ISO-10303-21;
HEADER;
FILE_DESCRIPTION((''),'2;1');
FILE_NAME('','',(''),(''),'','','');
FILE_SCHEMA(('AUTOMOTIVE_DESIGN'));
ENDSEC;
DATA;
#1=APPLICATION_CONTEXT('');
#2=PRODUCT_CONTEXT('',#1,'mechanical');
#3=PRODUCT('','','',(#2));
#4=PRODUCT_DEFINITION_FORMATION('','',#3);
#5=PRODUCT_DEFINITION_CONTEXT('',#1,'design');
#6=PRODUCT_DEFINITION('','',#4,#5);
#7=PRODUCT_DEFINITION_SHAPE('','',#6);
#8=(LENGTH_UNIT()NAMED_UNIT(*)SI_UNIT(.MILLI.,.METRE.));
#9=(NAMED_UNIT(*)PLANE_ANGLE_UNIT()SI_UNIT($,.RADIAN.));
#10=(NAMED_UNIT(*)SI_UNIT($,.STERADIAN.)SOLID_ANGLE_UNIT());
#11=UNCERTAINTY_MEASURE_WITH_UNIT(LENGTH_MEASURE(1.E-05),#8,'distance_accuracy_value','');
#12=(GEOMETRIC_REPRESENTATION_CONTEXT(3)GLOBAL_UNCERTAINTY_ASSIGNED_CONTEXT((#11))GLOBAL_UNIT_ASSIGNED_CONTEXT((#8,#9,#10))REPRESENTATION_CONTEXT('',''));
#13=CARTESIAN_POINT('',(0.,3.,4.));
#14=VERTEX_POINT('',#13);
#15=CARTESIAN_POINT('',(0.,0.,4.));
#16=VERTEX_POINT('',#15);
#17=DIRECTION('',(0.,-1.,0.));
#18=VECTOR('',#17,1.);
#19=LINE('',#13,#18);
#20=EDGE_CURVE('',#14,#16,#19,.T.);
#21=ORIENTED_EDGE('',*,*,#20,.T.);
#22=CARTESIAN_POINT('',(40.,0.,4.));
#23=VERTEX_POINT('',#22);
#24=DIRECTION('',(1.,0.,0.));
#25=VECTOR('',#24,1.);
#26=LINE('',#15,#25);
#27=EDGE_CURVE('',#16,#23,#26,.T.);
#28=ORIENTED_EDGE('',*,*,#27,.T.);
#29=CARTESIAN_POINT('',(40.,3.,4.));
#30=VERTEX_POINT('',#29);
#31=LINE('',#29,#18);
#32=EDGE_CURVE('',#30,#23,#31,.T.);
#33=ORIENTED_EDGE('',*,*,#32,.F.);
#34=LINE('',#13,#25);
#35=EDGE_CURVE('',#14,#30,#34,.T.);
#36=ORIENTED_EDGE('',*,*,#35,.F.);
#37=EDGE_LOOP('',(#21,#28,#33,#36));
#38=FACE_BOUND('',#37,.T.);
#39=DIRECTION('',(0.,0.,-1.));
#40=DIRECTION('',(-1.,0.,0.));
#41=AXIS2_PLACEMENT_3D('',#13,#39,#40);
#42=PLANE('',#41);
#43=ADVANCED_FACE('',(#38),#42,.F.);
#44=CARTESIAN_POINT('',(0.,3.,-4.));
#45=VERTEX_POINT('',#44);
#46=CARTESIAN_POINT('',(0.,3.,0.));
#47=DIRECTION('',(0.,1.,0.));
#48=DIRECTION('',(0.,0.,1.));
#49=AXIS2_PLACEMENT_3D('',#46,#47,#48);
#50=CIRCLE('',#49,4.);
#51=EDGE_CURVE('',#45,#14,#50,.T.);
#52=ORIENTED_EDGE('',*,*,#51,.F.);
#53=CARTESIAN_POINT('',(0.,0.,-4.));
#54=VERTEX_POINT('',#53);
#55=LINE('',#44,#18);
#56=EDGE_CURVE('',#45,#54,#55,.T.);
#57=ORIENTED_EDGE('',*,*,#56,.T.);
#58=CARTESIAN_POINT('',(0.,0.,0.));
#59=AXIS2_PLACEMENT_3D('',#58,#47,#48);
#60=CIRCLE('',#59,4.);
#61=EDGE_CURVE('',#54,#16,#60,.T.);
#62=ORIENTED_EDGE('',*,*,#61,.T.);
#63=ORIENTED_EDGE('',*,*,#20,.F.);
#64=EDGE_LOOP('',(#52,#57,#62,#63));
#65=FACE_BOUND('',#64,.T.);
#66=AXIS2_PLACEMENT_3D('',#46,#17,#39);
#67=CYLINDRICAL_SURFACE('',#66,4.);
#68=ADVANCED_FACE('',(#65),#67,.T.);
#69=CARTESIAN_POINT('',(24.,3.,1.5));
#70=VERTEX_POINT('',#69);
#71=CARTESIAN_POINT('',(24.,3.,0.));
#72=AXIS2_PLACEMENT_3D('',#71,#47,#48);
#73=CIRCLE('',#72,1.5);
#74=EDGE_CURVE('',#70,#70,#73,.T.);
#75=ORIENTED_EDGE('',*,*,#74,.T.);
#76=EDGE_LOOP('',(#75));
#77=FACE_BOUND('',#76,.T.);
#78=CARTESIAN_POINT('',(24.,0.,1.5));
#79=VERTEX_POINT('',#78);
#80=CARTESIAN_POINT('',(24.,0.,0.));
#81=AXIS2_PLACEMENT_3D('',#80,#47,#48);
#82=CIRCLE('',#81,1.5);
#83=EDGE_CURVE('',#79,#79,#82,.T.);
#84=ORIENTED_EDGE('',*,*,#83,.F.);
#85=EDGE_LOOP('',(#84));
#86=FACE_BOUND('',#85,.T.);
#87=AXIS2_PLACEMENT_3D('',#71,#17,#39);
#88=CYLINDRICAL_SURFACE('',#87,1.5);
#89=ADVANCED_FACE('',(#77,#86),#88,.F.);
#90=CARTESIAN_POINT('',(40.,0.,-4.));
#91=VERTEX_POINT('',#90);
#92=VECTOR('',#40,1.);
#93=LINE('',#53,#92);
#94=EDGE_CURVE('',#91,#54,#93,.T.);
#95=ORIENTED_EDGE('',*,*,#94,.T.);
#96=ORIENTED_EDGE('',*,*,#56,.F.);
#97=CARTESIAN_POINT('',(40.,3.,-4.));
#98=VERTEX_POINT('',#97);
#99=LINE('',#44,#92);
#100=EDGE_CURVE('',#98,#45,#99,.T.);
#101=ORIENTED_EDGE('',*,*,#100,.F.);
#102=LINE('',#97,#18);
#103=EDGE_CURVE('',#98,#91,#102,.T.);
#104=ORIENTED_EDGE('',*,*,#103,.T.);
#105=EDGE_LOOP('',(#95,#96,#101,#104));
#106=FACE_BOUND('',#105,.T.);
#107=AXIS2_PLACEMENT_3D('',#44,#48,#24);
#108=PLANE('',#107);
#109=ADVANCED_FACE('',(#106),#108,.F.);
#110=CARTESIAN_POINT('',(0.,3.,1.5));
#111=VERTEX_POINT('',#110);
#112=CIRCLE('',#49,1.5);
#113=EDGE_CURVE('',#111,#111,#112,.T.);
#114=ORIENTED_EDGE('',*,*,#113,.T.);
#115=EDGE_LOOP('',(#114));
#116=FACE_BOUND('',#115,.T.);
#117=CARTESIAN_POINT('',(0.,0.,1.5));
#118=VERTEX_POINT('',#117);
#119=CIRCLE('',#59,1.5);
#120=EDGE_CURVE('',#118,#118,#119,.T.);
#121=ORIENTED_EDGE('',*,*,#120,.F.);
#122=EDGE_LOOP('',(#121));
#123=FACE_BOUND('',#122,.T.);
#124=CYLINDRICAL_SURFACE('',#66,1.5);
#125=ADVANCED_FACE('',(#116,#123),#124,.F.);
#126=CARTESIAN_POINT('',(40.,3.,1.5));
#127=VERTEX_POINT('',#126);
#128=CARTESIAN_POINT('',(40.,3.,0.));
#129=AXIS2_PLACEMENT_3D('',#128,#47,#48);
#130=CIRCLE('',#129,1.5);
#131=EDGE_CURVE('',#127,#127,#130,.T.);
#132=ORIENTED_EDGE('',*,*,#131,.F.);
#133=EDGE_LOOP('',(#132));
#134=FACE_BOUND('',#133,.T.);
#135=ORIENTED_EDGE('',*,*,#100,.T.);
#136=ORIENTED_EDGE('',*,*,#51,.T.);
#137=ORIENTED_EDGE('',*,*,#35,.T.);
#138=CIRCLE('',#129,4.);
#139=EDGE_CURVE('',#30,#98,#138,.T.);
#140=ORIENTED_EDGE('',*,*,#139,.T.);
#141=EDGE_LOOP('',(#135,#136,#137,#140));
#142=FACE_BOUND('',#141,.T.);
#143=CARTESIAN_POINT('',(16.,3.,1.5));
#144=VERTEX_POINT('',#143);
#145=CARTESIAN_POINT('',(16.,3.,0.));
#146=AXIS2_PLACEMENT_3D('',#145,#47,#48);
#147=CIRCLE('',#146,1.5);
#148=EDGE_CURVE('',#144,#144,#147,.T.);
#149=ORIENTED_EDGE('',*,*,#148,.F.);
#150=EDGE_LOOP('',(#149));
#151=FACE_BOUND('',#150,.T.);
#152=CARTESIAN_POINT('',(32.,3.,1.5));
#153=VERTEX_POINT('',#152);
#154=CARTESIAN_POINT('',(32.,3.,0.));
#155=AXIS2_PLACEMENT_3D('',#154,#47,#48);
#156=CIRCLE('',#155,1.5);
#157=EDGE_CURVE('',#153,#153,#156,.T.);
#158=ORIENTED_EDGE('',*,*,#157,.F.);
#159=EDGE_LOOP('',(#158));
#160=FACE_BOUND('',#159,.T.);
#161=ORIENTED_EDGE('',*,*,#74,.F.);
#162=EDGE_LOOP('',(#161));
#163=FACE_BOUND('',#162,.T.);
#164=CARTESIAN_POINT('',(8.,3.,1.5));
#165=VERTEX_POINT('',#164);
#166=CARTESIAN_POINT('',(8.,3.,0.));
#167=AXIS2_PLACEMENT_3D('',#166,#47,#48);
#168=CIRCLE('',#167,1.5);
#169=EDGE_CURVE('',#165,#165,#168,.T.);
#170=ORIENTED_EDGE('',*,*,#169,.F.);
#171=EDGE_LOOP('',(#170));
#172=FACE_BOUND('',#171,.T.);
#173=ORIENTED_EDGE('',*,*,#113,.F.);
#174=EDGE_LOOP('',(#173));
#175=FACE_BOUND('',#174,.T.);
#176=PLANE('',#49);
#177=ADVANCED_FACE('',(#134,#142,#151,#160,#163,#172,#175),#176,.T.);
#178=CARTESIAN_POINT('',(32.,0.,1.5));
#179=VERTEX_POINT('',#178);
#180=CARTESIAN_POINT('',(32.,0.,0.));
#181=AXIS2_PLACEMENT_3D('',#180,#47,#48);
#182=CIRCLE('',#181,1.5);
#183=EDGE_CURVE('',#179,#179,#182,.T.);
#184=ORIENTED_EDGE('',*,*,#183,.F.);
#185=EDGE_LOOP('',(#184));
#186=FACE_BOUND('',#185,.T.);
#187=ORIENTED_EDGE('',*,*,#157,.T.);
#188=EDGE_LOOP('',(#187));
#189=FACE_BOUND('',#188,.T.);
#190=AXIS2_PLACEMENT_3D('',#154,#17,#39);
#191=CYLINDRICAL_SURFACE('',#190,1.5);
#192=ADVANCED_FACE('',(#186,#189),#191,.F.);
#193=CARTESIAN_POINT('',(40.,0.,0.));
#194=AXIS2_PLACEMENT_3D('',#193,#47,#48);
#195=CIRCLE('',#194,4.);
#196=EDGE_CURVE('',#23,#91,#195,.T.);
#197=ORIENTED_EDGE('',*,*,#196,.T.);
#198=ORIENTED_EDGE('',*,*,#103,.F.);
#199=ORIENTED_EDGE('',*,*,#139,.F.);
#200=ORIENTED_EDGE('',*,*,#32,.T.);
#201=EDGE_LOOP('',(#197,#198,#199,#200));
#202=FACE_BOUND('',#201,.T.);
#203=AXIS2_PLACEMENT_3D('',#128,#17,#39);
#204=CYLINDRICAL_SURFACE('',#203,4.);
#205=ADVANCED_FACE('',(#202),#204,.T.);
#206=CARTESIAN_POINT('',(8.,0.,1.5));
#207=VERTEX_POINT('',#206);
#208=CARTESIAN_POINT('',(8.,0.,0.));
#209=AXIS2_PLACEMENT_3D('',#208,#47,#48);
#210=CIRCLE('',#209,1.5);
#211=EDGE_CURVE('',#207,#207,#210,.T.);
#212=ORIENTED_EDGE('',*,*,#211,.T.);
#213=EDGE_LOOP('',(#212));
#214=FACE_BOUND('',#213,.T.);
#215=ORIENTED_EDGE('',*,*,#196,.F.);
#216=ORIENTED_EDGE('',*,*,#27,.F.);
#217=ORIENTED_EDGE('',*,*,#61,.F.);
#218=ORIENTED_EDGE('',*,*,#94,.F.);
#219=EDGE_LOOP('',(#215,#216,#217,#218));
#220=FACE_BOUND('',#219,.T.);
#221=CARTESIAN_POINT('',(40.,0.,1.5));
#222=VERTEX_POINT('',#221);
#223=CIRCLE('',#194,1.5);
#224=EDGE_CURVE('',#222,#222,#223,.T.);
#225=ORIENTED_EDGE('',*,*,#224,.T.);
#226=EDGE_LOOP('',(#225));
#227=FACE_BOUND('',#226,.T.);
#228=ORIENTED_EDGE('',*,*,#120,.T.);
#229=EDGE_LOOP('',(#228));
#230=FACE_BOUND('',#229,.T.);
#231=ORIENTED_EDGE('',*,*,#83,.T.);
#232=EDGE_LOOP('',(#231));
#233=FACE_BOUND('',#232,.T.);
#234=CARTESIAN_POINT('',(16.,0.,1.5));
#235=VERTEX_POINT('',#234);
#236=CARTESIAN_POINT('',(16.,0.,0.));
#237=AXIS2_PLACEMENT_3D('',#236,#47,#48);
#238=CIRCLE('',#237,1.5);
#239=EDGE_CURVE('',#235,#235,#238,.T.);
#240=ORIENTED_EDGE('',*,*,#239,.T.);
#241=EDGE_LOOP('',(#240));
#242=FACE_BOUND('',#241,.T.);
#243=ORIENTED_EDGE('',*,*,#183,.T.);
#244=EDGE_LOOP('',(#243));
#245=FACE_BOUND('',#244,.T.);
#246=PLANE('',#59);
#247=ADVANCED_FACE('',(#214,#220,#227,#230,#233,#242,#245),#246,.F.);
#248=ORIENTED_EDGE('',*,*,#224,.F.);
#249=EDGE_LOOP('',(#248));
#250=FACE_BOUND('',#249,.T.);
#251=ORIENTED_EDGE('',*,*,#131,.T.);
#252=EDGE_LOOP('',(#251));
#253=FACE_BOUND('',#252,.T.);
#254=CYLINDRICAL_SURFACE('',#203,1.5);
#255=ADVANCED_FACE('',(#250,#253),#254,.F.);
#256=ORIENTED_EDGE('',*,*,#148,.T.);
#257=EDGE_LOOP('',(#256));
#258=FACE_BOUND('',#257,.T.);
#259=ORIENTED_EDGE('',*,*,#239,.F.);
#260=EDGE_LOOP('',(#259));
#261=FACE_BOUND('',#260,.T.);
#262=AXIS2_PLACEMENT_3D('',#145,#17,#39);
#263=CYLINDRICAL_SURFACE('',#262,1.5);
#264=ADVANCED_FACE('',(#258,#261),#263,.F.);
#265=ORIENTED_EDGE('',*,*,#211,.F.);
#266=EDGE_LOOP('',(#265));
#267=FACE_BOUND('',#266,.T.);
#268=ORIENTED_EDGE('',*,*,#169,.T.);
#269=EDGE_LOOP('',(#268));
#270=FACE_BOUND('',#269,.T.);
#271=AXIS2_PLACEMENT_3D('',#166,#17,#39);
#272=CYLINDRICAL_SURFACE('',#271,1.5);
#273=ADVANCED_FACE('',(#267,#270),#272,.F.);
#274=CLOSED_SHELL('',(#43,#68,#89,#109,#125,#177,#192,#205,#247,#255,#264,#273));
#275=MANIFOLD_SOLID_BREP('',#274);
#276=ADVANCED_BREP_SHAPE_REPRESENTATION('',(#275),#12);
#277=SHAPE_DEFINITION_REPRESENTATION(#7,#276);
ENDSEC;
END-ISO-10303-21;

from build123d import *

# Parameters (mm, degrees)
SKETCH2_R           = 1.5
BOSS_EXTRUDE2_DEPTH = 3


with BuildPart() as part:
    # Sketch2 → Boss-Extrude2 (new body)
    with BuildSketch(Plane(origin=(0, 0, 0), x_dir=(1, 0, 0), z_dir=(0, 1, 0))):
        with BuildLine():
            Line((0, 4), (40, 4))
            ThreePointArc((40, 4), (44, 0), (40, -4))
            Line((40, -4), (0, -4))
            ThreePointArc((0, -4), (-4, 0), (0, 4))
        make_face()
        with Locations(Location((0, 0, 0), (0, 0, 270))):
            Circle(SKETCH2_R, mode=Mode.SUBTRACT)
        with Locations(Location((8, 0, 0), (0, 0, 270))):
            Circle(SKETCH2_R, mode=Mode.SUBTRACT)
        with Locations(Location((16, 0, 0), (0, 0, 270))):
            Circle(SKETCH2_R, mode=Mode.SUBTRACT)
        with Locations(Location((24, 0, 0), (0, 0, 270))):
            Circle(SKETCH2_R, mode=Mode.SUBTRACT)
        with Locations(Location((32, 0, 0), (0, 0, 270))):
            Circle(SKETCH2_R, mode=Mode.SUBTRACT)
        with Locations(Location((40, 0, 0), (0, 0, 270))):
            Circle(SKETCH2_R, mode=Mode.SUBTRACT)
    extrude(amount=BOSS_EXTRUDE2_DEPTH)


solid = part.part
